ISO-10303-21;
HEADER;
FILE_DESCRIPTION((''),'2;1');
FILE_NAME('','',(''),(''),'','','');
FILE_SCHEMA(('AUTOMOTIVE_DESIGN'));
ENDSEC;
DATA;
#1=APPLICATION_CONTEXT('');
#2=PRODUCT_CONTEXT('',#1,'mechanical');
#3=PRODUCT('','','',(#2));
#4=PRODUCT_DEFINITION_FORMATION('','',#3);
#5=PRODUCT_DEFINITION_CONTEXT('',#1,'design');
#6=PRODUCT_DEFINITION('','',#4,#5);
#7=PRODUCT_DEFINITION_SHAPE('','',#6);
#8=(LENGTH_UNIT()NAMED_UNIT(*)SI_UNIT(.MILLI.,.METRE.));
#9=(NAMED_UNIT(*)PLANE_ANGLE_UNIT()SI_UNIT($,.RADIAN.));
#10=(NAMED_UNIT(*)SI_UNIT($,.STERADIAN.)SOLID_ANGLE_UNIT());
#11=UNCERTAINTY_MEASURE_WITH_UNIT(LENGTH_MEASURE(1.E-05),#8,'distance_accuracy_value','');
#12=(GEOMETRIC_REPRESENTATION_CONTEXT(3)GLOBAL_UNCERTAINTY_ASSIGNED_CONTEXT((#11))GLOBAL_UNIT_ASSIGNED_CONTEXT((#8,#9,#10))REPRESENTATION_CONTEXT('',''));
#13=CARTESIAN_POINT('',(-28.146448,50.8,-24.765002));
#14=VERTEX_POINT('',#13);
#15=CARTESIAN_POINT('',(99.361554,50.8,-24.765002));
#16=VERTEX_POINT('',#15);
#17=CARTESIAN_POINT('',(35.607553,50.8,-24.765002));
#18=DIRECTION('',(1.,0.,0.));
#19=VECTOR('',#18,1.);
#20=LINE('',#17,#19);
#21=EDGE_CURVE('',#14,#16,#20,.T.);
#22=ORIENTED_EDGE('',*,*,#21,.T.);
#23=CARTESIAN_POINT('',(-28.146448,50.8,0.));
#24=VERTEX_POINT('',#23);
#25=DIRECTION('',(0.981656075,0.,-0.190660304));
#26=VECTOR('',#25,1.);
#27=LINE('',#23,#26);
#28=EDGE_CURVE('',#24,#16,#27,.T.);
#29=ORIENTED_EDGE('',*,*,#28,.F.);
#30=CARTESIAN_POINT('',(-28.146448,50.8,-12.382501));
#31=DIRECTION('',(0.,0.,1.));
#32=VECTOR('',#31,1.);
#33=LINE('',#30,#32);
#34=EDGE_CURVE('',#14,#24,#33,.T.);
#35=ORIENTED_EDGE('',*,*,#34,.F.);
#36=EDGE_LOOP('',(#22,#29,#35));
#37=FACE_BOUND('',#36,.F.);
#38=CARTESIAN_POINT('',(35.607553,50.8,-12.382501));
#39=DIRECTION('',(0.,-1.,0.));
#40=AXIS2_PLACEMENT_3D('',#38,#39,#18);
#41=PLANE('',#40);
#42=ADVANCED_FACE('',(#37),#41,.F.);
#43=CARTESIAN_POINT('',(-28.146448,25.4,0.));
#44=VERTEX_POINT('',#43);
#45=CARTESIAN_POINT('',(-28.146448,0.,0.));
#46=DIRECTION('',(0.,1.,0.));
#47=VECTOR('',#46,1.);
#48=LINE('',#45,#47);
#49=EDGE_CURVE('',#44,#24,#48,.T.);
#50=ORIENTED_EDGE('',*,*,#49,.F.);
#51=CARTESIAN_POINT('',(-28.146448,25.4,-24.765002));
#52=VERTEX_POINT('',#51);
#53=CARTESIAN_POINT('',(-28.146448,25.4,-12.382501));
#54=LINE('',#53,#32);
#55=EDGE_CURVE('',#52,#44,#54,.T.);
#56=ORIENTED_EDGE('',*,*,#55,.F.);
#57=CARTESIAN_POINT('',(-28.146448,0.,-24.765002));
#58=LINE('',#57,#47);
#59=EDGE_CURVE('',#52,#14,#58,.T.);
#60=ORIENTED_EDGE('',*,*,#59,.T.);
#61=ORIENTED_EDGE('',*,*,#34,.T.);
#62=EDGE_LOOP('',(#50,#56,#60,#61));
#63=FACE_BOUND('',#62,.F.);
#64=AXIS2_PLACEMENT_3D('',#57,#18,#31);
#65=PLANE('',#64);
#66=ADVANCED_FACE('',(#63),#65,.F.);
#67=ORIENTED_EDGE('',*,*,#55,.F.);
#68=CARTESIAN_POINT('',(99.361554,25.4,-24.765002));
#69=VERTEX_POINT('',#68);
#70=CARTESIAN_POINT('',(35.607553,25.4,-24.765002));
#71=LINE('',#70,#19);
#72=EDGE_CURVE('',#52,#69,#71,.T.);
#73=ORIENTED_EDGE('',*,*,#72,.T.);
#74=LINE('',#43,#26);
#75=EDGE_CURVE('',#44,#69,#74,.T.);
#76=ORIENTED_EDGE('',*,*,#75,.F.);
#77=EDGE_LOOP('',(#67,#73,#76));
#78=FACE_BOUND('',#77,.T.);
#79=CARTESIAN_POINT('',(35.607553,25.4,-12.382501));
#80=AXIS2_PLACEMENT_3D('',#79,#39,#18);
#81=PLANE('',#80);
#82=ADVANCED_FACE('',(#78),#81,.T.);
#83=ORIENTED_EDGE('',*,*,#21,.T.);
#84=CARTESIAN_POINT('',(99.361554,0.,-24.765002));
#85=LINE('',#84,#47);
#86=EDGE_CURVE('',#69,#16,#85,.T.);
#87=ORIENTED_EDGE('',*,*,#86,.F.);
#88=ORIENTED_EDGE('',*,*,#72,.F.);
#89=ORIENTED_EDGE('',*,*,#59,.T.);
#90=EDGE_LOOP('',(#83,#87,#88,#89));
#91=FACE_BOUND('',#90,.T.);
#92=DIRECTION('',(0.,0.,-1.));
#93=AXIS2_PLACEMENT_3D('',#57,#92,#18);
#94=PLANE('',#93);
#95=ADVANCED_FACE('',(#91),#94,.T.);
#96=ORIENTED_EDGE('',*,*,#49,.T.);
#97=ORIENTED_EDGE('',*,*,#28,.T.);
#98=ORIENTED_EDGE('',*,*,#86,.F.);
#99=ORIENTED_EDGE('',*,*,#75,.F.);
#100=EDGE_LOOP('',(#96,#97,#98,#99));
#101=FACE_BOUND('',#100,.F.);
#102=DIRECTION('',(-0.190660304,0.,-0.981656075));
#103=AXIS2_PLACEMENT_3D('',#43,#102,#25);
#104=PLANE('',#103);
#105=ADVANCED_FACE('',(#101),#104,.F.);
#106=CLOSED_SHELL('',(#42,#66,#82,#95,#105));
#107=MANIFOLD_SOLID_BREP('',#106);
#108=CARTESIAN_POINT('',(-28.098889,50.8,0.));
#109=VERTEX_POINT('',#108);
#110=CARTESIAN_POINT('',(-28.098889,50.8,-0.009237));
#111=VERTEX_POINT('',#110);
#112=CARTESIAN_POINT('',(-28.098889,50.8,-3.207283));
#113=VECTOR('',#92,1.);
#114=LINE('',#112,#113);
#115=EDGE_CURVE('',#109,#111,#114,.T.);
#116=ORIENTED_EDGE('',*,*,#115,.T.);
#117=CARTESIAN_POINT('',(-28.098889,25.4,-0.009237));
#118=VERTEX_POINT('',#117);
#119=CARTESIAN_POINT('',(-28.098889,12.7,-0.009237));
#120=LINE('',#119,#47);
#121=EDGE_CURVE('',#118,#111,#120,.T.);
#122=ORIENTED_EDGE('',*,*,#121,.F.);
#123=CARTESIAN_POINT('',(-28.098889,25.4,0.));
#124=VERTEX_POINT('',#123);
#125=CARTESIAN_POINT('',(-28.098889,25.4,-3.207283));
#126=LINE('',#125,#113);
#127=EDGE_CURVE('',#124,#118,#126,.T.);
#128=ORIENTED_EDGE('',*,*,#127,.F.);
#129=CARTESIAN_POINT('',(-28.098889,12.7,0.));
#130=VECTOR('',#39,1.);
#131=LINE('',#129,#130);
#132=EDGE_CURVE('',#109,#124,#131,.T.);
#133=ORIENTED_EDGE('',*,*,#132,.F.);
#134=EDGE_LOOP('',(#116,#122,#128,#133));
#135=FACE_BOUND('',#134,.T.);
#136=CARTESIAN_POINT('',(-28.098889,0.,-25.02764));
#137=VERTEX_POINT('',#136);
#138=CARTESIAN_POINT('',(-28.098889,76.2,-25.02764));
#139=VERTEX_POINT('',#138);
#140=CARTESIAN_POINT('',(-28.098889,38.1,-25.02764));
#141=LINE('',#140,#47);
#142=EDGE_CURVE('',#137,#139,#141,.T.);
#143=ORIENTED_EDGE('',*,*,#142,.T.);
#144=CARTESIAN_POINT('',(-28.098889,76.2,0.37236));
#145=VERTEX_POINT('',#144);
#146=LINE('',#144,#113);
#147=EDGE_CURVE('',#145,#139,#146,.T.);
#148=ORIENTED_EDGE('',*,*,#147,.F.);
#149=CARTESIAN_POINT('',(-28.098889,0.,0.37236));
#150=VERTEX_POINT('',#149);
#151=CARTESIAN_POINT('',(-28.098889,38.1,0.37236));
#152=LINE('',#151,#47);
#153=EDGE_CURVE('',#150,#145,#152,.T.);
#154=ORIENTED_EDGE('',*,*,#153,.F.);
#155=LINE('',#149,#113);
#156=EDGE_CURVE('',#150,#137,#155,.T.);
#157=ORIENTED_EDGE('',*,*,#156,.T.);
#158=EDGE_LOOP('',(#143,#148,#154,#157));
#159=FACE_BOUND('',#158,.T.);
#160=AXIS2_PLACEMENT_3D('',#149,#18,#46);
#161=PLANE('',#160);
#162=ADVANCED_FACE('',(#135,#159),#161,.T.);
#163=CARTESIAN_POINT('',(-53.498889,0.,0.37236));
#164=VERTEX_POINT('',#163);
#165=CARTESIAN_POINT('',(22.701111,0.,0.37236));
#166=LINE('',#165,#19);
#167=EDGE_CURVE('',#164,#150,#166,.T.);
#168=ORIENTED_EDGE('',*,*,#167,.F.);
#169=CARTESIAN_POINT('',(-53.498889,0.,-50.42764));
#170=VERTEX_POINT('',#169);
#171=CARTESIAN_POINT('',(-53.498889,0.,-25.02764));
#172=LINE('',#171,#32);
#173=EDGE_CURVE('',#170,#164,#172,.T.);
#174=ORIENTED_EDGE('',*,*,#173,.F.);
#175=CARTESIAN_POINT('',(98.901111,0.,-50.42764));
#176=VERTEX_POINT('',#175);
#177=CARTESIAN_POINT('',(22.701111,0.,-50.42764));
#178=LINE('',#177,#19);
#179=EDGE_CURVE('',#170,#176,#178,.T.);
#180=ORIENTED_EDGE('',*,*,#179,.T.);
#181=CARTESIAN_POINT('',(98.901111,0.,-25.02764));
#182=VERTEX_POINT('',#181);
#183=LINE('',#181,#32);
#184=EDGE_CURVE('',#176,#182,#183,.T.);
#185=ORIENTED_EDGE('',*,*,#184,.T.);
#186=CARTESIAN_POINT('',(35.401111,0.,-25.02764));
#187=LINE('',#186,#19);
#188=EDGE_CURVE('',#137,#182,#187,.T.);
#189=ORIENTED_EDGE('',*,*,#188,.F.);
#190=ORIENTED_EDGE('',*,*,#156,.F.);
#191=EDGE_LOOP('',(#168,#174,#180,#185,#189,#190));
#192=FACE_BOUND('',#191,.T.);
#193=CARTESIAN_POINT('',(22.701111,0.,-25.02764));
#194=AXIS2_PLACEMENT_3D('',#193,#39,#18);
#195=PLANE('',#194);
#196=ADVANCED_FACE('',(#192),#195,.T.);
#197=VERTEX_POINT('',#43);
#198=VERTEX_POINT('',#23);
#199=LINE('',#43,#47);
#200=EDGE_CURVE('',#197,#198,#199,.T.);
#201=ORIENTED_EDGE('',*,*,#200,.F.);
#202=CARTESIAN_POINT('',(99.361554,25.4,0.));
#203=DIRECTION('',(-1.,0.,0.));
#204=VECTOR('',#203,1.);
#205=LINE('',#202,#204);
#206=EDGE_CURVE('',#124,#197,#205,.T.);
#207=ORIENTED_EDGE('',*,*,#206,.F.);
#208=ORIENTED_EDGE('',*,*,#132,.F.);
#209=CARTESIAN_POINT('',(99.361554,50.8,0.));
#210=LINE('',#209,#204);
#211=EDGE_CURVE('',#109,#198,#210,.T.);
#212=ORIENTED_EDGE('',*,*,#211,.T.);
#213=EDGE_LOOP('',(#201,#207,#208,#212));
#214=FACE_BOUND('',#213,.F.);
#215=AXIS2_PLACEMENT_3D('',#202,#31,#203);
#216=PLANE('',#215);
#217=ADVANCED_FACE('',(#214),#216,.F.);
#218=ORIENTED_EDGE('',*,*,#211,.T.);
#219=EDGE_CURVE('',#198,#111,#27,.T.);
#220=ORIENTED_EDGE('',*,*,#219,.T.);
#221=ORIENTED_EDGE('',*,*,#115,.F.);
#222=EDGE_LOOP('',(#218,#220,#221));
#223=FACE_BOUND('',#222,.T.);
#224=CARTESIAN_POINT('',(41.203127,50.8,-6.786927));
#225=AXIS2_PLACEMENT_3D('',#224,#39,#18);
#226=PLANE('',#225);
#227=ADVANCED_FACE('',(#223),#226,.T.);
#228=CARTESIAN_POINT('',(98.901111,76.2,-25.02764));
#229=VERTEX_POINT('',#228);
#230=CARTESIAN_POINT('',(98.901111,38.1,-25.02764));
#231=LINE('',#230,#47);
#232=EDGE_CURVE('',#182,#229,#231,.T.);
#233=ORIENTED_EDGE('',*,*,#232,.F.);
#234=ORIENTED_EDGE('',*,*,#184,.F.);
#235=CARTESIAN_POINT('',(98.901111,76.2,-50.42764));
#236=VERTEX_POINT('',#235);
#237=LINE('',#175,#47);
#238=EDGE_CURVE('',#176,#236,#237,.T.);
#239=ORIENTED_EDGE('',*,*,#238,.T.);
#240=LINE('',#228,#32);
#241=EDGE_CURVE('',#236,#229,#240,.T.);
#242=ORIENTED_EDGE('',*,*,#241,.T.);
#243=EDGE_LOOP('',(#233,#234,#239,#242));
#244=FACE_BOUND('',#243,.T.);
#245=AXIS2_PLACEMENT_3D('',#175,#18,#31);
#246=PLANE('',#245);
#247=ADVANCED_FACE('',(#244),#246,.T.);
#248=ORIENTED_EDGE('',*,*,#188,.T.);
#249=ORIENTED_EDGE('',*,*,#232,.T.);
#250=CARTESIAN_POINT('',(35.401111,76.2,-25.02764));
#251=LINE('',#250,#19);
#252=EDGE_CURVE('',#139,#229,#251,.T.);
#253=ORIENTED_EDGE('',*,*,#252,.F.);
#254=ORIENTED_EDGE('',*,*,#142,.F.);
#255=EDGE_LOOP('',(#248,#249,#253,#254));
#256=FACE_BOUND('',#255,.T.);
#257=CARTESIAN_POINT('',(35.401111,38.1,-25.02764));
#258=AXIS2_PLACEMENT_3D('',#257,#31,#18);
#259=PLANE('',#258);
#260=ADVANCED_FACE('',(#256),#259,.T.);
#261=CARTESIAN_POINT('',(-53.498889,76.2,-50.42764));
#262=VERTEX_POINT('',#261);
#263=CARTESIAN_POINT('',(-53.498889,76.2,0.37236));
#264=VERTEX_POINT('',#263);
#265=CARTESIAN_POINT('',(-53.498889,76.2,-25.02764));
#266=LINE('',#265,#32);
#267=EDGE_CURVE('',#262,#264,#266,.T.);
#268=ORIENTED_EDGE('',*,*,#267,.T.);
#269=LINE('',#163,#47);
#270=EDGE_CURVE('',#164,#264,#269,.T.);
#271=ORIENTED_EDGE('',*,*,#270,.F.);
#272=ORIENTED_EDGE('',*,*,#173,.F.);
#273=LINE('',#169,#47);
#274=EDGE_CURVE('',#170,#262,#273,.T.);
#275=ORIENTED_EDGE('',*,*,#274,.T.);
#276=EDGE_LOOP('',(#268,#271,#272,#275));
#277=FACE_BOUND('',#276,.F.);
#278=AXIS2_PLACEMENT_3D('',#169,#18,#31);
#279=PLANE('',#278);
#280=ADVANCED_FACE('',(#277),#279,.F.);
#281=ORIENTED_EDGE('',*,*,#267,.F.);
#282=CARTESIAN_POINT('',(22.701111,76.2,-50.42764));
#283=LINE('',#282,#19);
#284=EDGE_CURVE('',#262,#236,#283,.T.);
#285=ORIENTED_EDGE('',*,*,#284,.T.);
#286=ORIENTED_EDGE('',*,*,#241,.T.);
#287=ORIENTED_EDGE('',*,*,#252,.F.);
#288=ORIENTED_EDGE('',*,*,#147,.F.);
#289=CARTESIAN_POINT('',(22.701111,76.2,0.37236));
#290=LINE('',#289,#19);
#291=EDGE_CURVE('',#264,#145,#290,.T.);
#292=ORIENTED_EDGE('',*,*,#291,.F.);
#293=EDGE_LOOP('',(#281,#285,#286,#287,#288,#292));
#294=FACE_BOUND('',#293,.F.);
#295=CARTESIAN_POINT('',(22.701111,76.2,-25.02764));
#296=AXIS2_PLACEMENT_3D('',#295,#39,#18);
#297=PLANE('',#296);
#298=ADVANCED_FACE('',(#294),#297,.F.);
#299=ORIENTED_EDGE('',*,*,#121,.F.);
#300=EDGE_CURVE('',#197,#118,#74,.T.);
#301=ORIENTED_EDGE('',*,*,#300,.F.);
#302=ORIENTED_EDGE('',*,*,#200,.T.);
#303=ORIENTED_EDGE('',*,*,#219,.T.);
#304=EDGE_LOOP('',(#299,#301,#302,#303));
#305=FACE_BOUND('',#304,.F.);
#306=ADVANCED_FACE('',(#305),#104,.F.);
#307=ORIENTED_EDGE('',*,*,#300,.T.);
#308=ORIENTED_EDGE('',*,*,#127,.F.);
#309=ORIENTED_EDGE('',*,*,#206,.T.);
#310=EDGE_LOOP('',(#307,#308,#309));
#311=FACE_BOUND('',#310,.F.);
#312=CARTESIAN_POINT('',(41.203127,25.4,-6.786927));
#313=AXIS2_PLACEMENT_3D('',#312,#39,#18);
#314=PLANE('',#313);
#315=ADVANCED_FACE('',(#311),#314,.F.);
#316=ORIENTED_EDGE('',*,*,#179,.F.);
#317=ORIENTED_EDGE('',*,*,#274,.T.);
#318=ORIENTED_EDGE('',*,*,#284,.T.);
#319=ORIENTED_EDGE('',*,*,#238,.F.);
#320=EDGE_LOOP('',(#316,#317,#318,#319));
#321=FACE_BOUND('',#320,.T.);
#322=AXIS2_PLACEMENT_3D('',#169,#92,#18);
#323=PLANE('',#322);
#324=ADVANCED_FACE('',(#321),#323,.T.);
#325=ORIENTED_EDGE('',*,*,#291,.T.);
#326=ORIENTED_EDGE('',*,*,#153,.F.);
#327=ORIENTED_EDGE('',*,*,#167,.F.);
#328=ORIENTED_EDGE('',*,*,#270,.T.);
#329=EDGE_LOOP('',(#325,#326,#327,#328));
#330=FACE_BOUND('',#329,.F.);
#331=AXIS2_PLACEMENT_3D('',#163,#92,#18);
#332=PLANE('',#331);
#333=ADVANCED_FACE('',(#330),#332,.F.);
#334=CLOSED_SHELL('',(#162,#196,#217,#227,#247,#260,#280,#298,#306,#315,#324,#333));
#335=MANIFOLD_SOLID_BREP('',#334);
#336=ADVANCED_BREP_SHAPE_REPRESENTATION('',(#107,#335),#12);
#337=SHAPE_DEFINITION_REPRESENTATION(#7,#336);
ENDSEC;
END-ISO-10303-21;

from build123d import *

# Parameters (mm, degrees)
F0_W     = 152.4
F0_H     = 50.8
F1_DEPTH = 76.2
F2_W     = 127
F2_H     = 76.2
F3_DEPTH = 25.4
F4_W     = 127.508001402
F4_H     = 24.7650016099
F5_DEPTH = 76.2
F6_DEPTH = 25.4
F7_DEPTH = 25.4
F9_DEPTH = 25.4


with BuildPart() as f1:
    # F0 (on Front) → F1 (new body)
    with BuildSketch(Plane.XZ):
        with Locations((22.7011106901, -25.0276401639)):
            Rectangle(F0_W, F0_H)
    extrude(amount=-F1_DEPTH)

    # F2 (on face) → F3 (cut)
    with BuildSketch(Plane.XY.offset(0.3723598361)):
        with Locations((35.4011106901, 38.1)):
            Rectangle(F2_W, F2_H)
    extrude(amount=-F3_DEPTH, mode=Mode.SUBTRACT)


with BuildPart() as f5:
    # F4 (on Front) → F5 (new body)
    with BuildSketch(Plane.XZ):
        with Locations((35.6075530872, -12.382500805)):
            Rectangle(F4_W, F4_H)
    extrude(amount=-F5_DEPTH)

    # F6 (cut): a face of the model
    f6_faces = [f5.faces().sort_by_distance(p)[0] for p in [
        (35.6075530872, 0, -12.382500805),
    ]]
    extrude(f6_faces, amount=-F6_DEPTH, mode=Mode.SUBTRACT)

    # F7 (cut): a face of the model
    f7_faces = [f5.faces().sort_by_distance(p)[0] for p in [
        (35.6075530872, 76.2, -12.382500805),
    ]]
    extrude(f7_faces, amount=-F7_DEPTH, mode=Mode.SUBTRACT)


with BuildPart() as f9_tool:
    # F8 (on face) → F9 (new body)
    with BuildSketch(Plane.XZ.offset(-25.4)):
        Polygon((99.3615537882, 0), (-28.1464476138, 0), (99.3615537882, -24.7650016099), align=None)
    extrude(amount=-F9_DEPTH)


with BuildPart() as f1_1:
    add(f1.part)

    # F9: cut by f9_tool
    add(f9_tool.part, mode=Mode.SUBTRACT)


with BuildPart() as f5_1:
    add(f5.part)

    # F9: cut by f9_tool
    add(f9_tool.part, mode=Mode.SUBTRACT)


solid = Compound([f1_1.part, f5_1.part])
